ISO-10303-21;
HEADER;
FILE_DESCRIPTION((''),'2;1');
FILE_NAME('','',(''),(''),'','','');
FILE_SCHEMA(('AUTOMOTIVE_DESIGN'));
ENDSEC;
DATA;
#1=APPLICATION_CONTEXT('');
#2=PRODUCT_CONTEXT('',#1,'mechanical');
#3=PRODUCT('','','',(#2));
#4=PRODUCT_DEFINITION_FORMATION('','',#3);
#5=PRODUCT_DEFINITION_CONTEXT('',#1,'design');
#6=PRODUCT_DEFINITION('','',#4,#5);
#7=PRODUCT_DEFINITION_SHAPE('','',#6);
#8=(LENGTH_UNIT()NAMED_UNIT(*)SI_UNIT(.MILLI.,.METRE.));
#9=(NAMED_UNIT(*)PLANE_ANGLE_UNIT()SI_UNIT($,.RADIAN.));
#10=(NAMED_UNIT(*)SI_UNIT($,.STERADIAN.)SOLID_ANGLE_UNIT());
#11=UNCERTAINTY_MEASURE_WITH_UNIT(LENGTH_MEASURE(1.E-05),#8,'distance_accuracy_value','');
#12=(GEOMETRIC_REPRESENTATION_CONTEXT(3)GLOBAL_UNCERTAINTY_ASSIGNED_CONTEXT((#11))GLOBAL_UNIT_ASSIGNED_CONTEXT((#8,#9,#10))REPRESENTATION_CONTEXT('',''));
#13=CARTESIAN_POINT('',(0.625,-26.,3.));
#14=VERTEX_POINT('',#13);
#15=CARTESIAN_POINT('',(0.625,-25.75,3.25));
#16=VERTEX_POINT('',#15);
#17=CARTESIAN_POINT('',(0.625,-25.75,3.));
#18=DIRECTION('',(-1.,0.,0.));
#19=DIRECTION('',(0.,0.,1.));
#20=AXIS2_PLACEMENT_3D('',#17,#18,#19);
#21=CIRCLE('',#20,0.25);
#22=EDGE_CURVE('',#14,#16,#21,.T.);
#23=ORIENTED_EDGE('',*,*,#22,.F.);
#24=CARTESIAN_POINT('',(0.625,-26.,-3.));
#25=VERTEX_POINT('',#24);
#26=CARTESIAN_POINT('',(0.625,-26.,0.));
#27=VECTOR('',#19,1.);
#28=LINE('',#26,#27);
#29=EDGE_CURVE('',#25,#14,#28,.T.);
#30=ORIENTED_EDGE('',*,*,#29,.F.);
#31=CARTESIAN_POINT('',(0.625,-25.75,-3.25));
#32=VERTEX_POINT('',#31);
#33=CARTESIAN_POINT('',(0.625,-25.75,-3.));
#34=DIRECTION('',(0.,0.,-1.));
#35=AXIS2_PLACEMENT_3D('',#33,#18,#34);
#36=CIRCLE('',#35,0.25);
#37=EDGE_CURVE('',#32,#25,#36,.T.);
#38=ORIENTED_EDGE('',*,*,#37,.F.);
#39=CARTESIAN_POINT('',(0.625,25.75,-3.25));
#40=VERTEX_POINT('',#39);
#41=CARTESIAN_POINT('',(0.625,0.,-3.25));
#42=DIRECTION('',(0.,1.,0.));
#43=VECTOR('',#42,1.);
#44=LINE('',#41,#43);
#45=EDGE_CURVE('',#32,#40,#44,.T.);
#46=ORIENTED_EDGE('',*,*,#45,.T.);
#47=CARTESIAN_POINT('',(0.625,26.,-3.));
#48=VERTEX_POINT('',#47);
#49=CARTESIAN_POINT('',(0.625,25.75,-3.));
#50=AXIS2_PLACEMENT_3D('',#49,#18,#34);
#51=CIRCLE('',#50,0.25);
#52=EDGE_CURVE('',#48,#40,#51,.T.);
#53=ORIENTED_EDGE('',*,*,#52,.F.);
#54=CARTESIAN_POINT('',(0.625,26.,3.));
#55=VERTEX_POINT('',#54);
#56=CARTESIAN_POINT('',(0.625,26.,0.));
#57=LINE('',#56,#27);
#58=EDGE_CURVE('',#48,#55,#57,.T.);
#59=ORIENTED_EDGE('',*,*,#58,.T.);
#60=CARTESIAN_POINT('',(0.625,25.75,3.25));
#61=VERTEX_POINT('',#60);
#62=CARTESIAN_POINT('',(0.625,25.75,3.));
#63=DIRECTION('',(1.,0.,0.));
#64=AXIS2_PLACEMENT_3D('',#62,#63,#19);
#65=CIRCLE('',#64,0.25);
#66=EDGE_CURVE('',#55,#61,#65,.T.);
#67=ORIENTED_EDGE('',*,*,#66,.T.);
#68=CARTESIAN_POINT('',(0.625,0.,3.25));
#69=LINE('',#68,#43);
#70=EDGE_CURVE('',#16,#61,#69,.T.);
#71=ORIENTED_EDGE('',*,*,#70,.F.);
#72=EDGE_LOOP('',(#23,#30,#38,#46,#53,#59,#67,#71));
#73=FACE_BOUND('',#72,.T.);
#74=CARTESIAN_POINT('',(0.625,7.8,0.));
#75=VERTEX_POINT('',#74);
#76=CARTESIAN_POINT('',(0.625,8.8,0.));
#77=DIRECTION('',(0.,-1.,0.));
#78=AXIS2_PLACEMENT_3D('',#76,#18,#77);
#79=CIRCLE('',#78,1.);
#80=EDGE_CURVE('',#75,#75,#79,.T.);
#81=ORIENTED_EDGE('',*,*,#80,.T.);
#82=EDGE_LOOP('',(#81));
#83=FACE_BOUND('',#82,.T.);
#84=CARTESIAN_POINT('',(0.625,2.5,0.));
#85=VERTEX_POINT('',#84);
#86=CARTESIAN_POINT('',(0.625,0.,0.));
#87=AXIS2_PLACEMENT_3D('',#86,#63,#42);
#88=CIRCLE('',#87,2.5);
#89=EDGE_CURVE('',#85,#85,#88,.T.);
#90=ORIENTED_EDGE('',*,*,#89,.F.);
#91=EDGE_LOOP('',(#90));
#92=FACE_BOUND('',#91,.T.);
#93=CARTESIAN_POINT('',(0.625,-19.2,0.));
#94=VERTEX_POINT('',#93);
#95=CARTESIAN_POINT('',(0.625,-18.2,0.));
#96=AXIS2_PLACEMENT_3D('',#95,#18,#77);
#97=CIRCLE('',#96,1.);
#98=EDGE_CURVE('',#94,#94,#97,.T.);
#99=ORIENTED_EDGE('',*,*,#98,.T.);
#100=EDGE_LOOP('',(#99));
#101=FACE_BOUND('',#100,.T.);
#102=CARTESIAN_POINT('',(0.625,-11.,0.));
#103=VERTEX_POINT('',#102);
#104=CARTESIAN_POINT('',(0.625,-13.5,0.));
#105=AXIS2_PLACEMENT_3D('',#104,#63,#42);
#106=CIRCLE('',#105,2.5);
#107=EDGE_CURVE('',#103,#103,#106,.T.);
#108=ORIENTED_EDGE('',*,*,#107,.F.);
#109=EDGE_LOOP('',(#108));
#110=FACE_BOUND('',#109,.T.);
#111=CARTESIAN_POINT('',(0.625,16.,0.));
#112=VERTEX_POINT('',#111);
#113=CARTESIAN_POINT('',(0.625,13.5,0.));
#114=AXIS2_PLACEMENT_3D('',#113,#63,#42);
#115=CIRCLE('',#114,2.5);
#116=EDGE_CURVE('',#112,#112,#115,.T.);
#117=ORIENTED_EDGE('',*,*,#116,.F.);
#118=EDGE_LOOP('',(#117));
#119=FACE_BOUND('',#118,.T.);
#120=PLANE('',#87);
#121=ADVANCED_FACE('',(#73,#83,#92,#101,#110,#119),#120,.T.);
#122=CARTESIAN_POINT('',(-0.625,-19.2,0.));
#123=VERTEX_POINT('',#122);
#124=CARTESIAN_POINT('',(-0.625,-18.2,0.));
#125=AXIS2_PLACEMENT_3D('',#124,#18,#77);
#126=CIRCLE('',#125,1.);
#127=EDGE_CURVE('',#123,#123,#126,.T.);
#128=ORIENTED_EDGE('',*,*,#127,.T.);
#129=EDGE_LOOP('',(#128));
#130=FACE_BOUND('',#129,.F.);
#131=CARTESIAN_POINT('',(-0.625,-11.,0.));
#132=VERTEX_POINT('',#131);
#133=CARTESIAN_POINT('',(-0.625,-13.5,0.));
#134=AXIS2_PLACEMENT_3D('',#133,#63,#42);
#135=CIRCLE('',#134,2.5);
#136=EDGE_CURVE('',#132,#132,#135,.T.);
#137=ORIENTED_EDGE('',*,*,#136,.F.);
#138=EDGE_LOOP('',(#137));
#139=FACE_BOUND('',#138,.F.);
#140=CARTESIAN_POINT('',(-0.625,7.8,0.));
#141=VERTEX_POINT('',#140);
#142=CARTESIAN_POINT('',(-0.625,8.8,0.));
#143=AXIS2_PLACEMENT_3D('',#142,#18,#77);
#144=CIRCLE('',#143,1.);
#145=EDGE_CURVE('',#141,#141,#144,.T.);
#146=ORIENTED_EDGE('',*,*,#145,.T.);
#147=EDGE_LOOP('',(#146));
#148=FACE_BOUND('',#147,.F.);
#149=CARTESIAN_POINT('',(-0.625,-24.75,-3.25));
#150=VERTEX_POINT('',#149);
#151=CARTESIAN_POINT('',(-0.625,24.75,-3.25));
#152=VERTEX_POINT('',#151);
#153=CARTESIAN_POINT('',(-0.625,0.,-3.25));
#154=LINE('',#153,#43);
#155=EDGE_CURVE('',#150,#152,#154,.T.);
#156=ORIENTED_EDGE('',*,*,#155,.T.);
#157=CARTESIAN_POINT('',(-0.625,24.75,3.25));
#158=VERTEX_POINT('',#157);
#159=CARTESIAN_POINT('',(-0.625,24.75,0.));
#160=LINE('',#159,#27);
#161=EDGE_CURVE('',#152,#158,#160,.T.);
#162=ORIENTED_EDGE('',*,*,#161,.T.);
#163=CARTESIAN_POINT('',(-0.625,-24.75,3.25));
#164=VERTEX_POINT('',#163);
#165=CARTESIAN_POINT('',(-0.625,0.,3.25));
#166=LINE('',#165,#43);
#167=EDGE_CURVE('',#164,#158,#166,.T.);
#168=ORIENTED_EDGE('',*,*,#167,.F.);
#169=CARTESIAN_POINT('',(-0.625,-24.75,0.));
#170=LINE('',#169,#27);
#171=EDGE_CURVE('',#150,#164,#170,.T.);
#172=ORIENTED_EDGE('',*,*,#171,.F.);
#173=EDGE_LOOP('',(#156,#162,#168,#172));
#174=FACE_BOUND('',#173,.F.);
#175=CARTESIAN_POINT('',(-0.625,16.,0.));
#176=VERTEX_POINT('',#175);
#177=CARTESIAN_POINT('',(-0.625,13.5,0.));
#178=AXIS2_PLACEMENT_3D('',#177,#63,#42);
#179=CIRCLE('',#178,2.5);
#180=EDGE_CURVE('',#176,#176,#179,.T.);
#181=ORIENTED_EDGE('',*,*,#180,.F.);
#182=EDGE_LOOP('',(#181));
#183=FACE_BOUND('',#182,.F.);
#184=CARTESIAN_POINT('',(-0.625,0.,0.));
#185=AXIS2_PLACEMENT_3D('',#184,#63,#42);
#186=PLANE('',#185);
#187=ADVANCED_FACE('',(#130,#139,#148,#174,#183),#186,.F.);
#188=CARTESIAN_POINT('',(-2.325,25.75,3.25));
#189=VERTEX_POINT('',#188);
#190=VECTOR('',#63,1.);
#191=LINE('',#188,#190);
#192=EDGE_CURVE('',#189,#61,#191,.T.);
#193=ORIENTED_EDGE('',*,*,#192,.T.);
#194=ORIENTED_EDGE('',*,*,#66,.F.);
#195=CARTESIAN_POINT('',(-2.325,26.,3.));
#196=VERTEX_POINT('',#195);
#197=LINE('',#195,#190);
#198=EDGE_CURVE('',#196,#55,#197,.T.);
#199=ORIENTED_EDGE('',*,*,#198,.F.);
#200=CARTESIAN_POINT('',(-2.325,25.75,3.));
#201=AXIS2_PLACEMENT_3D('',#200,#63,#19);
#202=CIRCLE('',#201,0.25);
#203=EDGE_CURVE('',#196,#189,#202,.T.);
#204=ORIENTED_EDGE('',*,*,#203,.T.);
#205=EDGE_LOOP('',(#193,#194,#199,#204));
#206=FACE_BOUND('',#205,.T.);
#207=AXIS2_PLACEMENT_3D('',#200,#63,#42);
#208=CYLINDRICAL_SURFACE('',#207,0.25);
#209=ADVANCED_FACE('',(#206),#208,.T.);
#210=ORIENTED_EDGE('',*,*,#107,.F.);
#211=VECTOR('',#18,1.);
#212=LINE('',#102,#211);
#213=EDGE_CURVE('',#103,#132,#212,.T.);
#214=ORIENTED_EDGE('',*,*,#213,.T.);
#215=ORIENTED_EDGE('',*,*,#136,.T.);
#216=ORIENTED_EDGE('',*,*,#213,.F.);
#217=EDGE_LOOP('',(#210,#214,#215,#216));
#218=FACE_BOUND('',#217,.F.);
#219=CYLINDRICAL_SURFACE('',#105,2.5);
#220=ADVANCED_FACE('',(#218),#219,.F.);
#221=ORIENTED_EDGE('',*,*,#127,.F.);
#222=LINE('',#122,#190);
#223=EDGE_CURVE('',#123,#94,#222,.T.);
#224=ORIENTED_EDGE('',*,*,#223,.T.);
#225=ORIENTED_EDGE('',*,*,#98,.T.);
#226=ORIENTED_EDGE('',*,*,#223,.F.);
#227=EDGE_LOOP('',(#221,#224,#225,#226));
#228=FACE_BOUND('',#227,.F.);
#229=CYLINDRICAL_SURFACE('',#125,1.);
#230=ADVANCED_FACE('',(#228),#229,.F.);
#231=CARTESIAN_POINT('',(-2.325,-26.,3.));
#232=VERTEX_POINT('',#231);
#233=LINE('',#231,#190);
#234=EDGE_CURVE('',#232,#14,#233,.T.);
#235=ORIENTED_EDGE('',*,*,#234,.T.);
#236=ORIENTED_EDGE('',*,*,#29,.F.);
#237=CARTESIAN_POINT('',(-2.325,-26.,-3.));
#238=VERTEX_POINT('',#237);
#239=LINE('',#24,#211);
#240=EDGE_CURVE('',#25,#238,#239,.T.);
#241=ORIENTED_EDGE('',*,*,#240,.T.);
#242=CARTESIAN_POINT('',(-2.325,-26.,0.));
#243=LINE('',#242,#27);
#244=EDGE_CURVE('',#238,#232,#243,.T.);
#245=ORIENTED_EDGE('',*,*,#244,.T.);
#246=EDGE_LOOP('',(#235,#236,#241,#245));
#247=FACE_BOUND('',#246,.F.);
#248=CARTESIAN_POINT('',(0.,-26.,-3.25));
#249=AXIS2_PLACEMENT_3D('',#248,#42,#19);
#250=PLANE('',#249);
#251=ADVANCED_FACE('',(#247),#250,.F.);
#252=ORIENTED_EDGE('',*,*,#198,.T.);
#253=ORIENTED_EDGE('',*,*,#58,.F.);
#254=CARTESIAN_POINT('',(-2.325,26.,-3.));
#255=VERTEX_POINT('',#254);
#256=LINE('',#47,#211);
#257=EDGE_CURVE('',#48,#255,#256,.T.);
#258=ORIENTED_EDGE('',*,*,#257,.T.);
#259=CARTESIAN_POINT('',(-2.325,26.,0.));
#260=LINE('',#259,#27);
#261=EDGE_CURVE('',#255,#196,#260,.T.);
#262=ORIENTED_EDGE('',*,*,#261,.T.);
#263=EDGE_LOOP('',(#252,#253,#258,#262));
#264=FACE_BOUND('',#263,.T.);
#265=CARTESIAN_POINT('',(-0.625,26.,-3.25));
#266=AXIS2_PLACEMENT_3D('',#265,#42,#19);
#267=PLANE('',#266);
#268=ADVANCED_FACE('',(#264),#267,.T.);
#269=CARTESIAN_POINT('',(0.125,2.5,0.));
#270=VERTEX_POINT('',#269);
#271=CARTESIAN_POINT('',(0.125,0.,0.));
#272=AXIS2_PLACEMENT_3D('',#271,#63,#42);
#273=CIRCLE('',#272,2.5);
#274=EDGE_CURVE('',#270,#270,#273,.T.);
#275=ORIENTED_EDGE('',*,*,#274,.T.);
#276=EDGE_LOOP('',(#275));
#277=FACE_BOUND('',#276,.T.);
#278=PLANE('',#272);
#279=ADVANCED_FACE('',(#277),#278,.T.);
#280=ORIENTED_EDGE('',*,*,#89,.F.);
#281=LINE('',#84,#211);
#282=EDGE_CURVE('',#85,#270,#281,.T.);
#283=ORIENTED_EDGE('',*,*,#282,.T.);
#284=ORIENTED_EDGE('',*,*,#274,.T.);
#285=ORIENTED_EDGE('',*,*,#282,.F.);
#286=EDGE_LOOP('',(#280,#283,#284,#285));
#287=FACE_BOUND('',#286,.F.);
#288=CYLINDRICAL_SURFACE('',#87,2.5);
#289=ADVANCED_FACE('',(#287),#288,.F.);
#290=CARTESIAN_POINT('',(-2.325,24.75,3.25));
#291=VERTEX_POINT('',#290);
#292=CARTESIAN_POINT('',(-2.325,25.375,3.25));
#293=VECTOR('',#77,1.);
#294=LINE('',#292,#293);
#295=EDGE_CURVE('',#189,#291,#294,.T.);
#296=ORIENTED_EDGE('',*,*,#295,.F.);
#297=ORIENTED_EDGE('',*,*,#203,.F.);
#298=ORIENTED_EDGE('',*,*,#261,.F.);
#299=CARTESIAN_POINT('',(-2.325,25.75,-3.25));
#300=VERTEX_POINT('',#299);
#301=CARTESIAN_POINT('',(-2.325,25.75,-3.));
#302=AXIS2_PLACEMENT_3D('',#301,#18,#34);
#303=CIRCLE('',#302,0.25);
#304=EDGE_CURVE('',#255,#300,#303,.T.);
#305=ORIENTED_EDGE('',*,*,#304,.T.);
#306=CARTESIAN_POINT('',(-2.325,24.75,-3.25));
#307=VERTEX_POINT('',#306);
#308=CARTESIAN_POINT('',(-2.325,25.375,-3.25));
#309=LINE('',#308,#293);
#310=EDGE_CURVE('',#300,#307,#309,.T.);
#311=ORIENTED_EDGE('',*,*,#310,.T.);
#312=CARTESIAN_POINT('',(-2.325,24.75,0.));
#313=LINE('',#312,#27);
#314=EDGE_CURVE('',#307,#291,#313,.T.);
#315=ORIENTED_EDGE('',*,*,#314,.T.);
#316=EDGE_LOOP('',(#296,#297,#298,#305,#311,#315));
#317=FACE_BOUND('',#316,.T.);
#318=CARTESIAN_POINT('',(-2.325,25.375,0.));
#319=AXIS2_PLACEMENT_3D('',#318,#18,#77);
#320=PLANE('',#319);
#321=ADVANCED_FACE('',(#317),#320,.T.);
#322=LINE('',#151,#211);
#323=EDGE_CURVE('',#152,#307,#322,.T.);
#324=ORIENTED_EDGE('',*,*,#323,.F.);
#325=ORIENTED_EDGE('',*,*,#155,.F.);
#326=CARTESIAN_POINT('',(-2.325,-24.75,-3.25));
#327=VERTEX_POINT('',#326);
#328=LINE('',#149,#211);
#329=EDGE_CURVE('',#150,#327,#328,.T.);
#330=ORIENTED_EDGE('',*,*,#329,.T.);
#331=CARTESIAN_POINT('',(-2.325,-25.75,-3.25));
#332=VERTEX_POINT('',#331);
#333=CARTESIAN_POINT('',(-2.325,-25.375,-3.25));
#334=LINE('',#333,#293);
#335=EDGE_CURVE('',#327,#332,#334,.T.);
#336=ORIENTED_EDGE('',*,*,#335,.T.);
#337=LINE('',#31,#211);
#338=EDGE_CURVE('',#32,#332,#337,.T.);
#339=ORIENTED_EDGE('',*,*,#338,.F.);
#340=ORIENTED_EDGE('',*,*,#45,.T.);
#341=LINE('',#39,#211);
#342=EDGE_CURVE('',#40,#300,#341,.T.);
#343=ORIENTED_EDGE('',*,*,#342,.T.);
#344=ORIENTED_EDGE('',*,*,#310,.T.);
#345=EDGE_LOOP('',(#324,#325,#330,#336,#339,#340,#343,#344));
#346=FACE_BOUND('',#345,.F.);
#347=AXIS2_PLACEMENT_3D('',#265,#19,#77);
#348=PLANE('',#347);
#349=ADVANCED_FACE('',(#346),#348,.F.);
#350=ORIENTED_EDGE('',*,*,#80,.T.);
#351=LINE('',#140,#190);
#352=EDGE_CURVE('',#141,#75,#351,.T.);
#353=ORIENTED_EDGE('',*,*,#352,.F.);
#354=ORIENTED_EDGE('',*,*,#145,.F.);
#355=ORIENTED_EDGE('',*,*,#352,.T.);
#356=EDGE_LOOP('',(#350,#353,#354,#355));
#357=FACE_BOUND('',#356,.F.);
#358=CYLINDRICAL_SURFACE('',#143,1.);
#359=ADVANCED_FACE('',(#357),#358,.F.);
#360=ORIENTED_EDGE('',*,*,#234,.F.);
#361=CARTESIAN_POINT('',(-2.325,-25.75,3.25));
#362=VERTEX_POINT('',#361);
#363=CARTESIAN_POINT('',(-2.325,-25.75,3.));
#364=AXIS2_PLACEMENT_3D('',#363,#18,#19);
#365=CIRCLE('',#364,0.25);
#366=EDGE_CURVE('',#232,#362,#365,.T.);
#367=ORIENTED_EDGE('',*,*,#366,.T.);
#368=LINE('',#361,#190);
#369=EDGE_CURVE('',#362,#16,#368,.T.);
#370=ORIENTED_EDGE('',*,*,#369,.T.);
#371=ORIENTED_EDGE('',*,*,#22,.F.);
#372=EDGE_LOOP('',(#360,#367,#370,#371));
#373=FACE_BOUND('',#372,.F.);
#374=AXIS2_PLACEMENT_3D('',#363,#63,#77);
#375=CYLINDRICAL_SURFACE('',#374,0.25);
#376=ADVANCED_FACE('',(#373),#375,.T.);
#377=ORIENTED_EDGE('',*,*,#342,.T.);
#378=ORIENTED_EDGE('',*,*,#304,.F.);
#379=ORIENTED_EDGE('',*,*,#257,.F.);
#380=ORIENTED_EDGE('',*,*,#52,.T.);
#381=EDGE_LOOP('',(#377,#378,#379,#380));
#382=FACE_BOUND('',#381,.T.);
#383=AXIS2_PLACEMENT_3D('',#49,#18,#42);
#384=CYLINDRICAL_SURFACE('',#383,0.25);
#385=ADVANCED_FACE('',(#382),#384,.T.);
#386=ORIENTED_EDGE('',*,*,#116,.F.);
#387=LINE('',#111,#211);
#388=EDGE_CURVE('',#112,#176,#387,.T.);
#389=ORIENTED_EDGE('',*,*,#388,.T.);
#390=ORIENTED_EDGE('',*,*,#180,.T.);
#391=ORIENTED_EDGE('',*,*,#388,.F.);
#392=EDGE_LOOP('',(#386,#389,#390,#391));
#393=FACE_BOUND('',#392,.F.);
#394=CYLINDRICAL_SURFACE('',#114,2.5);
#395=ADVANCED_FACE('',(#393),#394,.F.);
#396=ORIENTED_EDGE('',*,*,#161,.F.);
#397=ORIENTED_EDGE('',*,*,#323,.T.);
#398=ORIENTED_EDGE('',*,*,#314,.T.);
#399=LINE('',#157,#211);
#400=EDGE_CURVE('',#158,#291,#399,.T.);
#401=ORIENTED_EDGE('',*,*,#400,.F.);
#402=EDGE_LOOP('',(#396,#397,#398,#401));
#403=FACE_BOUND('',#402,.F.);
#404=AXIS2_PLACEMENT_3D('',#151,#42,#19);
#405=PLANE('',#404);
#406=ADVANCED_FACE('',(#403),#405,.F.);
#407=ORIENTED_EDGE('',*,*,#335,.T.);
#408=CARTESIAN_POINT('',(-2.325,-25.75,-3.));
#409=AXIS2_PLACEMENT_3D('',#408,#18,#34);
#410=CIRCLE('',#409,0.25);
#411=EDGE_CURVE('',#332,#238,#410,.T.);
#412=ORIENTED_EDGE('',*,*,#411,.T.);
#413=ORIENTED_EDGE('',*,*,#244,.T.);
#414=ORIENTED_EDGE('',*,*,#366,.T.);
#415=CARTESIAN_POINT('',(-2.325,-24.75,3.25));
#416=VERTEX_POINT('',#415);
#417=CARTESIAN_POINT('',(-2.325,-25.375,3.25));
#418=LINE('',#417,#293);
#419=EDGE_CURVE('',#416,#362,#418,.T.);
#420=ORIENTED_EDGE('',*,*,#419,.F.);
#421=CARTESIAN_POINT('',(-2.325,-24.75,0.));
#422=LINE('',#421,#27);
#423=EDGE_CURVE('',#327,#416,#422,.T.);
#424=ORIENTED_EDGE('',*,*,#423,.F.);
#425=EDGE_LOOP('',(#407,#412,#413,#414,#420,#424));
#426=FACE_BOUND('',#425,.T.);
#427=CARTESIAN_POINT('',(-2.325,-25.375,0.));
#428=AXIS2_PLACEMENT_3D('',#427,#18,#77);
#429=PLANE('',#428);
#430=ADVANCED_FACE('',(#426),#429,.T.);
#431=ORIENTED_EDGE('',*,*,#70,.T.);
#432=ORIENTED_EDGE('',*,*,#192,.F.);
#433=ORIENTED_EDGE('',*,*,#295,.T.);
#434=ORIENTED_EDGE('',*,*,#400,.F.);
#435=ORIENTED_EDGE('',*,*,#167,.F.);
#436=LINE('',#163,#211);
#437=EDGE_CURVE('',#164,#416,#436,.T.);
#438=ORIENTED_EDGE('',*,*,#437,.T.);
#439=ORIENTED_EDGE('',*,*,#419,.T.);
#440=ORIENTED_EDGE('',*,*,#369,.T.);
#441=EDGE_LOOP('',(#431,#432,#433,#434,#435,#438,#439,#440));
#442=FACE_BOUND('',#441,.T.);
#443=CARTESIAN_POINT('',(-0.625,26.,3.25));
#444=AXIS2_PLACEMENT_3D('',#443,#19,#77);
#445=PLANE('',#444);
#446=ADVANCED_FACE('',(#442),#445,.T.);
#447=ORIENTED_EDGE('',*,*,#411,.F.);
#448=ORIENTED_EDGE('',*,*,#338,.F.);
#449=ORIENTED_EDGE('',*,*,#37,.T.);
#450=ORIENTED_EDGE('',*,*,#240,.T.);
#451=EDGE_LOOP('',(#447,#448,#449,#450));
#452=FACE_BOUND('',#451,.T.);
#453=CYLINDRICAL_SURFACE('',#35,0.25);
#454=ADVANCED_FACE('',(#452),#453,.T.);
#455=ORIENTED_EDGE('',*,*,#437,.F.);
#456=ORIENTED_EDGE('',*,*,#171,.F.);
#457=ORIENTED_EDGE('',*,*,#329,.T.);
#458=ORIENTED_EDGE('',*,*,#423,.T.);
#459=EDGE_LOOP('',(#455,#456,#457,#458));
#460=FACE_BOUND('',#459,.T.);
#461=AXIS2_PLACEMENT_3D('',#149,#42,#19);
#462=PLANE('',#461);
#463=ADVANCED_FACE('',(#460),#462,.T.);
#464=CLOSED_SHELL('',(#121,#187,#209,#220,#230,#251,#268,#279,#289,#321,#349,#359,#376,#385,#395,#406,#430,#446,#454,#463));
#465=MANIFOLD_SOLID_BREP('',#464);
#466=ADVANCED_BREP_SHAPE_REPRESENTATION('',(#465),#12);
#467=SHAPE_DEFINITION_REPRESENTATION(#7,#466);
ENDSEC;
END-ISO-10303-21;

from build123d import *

# Parameters (mm, degrees)
F0_W      = 52
F0_H      = 6.5
F1_DEPTH  = 0.625
F2_W      = 1.25
F2_H      = 6.5
F3_DEPTH  = 1.7
F4_R      = 0.25
F5_R      = 2.5
F6_DEPTH  = 1.25
F7_R      = 1
F8_DEPTH  = 1.25
F9_R      = 2.5
F10_DEPTH = 0.5


with BuildPart() as f1:
    # F0 (on Right) → F1 (new body, symmetric)
    with BuildSketch(Plane.YZ):
        Rectangle(F0_W, F0_H)
    extrude(amount=F1_DEPTH, both=True)

    # F2 (on face) → F3 (join)
    with BuildSketch(Plane(origin=(-0.625, 0, 0), x_dir=(0, -1, 0), z_dir=(-1, 0, 0))):
        with Locations((-25.375, 0)):
            Rectangle(F2_W, F2_H)
        with Locations((25.375, 0)):
            Rectangle(F2_W, F2_H)
    extrude(amount=F3_DEPTH)

    # F4
    f4_edges = [f1.edges().sort_by_distance(p)[0] for p in [
        (-0.85, -26, 3.25),
        (-0.85, -26, -3.25),
        (-0.85, 26, 3.25),
        (-0.85, 26, -3.25),
    ]]
    fillet(f4_edges, radius=F4_R)

    # F5 (on face) → F6 (cut, through all)
    with BuildSketch(Plane.YZ.offset(0.625)):
        with Locations((-13.5, 0)):
            Circle(F5_R)
        with Locations((13.5, 0)):
            Circle(F5_R)
    extrude(amount=-F6_DEPTH, mode=Mode.SUBTRACT)

    # F7 (on face) → F8 (cut, through all)
    with BuildSketch(Plane(origin=(-0.625, 0, 0), x_dir=(0, -1, 0), z_dir=(-1, 0, 0))):
        with Locations((-8.8, 0)):
            Circle(F7_R)
        with Locations((18.2, 0)):
            Circle(F7_R)
    extrude(amount=-F8_DEPTH, mode=Mode.SUBTRACT)

    # F9 (on face) → F10 (cut)
    with BuildSketch(Plane.YZ.offset(0.625)):
        Circle(F9_R)
    extrude(amount=-F10_DEPTH, mode=Mode.SUBTRACT)


solid = f1.part
